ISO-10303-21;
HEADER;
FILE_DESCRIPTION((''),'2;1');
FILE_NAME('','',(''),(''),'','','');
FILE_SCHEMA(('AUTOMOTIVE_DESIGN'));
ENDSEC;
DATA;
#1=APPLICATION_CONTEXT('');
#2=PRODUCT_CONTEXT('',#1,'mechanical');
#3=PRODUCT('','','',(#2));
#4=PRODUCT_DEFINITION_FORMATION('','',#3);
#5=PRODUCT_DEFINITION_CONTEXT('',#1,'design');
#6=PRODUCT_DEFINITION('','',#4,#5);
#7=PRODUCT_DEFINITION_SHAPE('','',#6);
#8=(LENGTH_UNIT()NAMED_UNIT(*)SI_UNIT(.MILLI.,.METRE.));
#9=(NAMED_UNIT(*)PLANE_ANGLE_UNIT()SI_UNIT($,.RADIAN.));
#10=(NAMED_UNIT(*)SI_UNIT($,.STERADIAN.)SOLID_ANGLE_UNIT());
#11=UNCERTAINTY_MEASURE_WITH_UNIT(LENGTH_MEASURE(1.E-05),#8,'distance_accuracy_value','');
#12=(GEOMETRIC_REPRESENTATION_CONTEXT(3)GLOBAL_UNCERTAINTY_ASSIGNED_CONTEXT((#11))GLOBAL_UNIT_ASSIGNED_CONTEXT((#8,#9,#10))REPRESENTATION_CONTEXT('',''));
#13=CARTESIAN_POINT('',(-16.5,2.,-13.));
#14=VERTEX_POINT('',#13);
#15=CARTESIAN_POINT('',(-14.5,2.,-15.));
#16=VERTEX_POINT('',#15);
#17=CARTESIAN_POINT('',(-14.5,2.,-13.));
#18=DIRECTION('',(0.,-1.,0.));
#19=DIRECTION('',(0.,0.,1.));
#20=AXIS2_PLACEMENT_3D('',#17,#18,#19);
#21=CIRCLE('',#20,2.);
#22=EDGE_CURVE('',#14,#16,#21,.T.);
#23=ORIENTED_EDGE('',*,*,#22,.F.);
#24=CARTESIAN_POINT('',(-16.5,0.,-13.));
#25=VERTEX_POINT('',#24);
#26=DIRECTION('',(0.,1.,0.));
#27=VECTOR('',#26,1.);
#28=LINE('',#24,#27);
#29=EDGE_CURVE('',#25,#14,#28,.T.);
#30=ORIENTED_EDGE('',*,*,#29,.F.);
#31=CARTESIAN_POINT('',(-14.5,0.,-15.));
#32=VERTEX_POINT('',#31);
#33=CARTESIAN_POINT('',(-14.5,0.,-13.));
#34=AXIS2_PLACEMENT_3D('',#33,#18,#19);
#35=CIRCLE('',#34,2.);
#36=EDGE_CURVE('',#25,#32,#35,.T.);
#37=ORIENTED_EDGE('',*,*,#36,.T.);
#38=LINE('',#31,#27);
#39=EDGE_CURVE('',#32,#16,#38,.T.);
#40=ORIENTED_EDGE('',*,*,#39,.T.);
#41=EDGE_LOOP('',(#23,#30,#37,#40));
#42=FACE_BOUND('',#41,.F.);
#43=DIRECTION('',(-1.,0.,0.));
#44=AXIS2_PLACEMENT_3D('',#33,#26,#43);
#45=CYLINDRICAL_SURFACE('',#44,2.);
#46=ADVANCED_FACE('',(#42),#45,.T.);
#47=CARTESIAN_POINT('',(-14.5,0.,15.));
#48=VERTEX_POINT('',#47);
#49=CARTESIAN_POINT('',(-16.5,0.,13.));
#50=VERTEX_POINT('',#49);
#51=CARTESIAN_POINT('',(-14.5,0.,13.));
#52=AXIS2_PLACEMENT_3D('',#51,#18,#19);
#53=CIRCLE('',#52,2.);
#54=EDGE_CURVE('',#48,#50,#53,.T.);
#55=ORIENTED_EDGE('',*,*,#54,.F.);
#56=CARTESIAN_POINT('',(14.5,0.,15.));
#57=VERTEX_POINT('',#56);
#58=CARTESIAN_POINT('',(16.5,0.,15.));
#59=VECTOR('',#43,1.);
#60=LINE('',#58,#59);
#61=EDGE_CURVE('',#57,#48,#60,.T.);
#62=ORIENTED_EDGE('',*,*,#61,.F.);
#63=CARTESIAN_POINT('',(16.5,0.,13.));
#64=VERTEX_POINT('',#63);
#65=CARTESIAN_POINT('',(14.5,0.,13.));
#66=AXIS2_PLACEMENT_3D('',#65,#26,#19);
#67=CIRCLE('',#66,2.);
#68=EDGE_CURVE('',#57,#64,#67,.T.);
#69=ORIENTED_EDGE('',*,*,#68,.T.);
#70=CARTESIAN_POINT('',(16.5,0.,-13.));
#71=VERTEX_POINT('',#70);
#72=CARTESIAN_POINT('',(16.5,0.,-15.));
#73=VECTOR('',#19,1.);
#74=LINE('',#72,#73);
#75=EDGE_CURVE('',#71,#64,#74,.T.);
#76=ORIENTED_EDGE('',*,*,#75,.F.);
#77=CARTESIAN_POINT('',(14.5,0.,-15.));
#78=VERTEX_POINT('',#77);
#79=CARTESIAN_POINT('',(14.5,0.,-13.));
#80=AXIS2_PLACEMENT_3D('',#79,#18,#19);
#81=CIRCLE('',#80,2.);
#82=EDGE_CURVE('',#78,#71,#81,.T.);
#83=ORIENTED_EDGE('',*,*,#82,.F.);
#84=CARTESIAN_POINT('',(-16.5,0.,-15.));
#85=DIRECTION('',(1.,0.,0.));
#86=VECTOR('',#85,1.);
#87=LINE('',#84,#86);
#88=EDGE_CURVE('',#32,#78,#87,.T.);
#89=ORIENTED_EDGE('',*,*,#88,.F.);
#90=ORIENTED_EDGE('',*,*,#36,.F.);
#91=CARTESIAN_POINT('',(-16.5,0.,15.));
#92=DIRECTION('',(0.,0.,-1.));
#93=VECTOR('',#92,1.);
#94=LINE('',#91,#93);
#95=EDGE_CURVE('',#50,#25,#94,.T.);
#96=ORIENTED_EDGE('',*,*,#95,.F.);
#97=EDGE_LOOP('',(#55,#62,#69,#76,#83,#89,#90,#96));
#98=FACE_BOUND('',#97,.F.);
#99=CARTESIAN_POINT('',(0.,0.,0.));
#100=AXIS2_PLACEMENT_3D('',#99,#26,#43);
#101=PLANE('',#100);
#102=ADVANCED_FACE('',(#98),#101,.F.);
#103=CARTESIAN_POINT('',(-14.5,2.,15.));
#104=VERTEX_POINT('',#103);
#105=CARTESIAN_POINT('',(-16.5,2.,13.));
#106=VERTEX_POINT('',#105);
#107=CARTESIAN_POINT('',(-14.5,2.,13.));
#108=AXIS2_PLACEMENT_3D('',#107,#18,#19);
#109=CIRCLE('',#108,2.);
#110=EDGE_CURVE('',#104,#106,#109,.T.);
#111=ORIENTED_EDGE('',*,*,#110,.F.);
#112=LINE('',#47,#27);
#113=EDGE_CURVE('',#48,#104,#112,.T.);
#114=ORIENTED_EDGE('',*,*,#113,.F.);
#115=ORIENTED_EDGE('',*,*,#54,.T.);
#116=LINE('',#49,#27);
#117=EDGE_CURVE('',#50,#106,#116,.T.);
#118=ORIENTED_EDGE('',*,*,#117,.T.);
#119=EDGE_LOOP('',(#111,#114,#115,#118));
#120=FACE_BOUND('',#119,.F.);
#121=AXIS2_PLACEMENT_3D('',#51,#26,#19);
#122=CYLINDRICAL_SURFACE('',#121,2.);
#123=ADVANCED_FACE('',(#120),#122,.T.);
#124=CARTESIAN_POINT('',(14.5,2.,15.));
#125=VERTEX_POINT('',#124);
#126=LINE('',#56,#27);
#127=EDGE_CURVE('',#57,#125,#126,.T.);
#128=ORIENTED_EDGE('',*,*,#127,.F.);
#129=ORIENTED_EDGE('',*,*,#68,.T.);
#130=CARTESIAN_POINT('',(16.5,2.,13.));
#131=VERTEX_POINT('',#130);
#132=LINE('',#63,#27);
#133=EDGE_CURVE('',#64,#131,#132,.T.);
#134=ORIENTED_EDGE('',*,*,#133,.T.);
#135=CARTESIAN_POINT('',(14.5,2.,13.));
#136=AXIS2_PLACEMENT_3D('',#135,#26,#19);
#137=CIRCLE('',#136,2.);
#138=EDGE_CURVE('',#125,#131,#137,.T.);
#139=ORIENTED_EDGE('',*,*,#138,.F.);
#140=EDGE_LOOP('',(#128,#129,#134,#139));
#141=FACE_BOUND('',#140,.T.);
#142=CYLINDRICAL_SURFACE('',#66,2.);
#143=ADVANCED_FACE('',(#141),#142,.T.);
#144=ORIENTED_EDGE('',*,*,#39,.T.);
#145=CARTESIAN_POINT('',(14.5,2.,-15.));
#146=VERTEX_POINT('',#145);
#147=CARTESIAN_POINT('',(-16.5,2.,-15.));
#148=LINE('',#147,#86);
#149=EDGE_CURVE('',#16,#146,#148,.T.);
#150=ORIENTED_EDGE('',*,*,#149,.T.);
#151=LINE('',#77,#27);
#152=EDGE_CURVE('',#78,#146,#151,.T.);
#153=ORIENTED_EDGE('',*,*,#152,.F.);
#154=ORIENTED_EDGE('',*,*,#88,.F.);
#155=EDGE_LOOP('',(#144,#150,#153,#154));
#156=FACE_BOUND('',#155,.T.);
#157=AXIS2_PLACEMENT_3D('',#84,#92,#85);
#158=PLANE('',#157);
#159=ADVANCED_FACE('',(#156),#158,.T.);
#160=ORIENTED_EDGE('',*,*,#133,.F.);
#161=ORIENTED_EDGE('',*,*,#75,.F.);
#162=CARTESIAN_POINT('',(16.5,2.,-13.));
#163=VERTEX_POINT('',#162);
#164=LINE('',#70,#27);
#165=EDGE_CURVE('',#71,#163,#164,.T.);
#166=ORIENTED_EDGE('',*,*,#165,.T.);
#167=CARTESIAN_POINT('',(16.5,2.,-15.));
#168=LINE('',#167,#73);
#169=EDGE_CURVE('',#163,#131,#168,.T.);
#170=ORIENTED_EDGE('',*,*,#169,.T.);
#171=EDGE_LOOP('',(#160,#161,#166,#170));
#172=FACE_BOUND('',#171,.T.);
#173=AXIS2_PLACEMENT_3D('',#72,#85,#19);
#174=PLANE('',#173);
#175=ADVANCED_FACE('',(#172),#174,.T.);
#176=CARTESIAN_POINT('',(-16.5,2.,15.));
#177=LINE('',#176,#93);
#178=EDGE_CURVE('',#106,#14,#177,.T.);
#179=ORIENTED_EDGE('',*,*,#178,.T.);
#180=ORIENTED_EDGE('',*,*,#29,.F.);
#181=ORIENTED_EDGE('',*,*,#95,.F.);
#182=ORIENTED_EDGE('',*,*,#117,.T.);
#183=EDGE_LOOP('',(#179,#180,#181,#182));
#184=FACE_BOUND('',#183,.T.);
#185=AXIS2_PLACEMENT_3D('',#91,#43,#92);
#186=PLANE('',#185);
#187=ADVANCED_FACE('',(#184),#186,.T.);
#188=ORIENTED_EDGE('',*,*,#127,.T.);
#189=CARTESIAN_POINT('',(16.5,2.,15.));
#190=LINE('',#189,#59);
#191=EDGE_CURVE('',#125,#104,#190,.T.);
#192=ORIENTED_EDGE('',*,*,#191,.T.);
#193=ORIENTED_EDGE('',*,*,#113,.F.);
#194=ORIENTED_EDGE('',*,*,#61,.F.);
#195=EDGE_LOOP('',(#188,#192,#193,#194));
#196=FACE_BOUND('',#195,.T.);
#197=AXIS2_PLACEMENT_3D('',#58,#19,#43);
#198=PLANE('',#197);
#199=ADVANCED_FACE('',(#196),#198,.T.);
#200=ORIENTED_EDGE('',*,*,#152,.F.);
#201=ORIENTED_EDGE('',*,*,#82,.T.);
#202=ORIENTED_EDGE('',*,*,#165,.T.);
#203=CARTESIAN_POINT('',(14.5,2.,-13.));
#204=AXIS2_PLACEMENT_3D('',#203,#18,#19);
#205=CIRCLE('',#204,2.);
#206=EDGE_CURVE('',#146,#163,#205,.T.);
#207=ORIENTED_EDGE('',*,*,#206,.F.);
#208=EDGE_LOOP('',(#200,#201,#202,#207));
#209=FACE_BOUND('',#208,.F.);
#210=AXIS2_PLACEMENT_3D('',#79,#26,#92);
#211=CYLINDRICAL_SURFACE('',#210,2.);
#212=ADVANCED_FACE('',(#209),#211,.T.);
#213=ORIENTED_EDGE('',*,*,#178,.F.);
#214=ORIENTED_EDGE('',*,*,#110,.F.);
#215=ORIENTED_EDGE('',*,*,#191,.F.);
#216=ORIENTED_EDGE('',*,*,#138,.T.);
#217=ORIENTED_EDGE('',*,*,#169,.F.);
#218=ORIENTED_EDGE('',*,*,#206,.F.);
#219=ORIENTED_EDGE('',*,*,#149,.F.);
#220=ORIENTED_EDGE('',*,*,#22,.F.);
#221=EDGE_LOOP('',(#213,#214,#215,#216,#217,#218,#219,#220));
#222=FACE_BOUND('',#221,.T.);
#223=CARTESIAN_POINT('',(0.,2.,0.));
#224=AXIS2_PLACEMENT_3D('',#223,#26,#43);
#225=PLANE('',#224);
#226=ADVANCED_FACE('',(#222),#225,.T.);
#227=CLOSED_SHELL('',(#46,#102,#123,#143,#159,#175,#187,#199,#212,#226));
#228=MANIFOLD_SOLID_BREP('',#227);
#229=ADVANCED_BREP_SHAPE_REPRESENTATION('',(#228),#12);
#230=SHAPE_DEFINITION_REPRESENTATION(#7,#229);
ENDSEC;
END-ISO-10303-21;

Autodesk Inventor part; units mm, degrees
ref_plane "YZ Plane" through (0, 0, 0) normal (1, 0, 0) x (0, 1, 0)
ref_plane "XZ Plane" through (0, 0, 0) normal (0, 1, 0) x (-1, 0, 0)
ref_plane "XY Plane" through (0, 0, 0) normal (0, 0, 1) x (1, 0, 0)
sketch "スケッチ1" plane through (0, 0, 0) normal (0, 1, 0) x (-1, 0, 0)
  line L0 (-16.5, 15) -> (16.5, 15)
  line L1 (16.5, 15) -> (16.5, -15)
  line L2 (16.5, -15) -> (-16.5, -15)
  line L3 (-16.5, -15) -> (-16.5, 15)
  line L4 (-16.5, 15) -> (16.5, -15) construction
  line L5 (16.5, 15) -> (-16.5, -15) construction
  point P0 (0, 0)
  dimension "d0" = 33
  dimension "d1" = 30
extrude "押し出し1" add sketch "スケッチ1" along normal blind 2
fillet "フィレット1" radius 2 4 edges at (16.5, 1, 15) (16.5, 1, -15) (-16.5, 1, 15) (-16.5, 1, -15)
properties part number "HbSensorCover01"
